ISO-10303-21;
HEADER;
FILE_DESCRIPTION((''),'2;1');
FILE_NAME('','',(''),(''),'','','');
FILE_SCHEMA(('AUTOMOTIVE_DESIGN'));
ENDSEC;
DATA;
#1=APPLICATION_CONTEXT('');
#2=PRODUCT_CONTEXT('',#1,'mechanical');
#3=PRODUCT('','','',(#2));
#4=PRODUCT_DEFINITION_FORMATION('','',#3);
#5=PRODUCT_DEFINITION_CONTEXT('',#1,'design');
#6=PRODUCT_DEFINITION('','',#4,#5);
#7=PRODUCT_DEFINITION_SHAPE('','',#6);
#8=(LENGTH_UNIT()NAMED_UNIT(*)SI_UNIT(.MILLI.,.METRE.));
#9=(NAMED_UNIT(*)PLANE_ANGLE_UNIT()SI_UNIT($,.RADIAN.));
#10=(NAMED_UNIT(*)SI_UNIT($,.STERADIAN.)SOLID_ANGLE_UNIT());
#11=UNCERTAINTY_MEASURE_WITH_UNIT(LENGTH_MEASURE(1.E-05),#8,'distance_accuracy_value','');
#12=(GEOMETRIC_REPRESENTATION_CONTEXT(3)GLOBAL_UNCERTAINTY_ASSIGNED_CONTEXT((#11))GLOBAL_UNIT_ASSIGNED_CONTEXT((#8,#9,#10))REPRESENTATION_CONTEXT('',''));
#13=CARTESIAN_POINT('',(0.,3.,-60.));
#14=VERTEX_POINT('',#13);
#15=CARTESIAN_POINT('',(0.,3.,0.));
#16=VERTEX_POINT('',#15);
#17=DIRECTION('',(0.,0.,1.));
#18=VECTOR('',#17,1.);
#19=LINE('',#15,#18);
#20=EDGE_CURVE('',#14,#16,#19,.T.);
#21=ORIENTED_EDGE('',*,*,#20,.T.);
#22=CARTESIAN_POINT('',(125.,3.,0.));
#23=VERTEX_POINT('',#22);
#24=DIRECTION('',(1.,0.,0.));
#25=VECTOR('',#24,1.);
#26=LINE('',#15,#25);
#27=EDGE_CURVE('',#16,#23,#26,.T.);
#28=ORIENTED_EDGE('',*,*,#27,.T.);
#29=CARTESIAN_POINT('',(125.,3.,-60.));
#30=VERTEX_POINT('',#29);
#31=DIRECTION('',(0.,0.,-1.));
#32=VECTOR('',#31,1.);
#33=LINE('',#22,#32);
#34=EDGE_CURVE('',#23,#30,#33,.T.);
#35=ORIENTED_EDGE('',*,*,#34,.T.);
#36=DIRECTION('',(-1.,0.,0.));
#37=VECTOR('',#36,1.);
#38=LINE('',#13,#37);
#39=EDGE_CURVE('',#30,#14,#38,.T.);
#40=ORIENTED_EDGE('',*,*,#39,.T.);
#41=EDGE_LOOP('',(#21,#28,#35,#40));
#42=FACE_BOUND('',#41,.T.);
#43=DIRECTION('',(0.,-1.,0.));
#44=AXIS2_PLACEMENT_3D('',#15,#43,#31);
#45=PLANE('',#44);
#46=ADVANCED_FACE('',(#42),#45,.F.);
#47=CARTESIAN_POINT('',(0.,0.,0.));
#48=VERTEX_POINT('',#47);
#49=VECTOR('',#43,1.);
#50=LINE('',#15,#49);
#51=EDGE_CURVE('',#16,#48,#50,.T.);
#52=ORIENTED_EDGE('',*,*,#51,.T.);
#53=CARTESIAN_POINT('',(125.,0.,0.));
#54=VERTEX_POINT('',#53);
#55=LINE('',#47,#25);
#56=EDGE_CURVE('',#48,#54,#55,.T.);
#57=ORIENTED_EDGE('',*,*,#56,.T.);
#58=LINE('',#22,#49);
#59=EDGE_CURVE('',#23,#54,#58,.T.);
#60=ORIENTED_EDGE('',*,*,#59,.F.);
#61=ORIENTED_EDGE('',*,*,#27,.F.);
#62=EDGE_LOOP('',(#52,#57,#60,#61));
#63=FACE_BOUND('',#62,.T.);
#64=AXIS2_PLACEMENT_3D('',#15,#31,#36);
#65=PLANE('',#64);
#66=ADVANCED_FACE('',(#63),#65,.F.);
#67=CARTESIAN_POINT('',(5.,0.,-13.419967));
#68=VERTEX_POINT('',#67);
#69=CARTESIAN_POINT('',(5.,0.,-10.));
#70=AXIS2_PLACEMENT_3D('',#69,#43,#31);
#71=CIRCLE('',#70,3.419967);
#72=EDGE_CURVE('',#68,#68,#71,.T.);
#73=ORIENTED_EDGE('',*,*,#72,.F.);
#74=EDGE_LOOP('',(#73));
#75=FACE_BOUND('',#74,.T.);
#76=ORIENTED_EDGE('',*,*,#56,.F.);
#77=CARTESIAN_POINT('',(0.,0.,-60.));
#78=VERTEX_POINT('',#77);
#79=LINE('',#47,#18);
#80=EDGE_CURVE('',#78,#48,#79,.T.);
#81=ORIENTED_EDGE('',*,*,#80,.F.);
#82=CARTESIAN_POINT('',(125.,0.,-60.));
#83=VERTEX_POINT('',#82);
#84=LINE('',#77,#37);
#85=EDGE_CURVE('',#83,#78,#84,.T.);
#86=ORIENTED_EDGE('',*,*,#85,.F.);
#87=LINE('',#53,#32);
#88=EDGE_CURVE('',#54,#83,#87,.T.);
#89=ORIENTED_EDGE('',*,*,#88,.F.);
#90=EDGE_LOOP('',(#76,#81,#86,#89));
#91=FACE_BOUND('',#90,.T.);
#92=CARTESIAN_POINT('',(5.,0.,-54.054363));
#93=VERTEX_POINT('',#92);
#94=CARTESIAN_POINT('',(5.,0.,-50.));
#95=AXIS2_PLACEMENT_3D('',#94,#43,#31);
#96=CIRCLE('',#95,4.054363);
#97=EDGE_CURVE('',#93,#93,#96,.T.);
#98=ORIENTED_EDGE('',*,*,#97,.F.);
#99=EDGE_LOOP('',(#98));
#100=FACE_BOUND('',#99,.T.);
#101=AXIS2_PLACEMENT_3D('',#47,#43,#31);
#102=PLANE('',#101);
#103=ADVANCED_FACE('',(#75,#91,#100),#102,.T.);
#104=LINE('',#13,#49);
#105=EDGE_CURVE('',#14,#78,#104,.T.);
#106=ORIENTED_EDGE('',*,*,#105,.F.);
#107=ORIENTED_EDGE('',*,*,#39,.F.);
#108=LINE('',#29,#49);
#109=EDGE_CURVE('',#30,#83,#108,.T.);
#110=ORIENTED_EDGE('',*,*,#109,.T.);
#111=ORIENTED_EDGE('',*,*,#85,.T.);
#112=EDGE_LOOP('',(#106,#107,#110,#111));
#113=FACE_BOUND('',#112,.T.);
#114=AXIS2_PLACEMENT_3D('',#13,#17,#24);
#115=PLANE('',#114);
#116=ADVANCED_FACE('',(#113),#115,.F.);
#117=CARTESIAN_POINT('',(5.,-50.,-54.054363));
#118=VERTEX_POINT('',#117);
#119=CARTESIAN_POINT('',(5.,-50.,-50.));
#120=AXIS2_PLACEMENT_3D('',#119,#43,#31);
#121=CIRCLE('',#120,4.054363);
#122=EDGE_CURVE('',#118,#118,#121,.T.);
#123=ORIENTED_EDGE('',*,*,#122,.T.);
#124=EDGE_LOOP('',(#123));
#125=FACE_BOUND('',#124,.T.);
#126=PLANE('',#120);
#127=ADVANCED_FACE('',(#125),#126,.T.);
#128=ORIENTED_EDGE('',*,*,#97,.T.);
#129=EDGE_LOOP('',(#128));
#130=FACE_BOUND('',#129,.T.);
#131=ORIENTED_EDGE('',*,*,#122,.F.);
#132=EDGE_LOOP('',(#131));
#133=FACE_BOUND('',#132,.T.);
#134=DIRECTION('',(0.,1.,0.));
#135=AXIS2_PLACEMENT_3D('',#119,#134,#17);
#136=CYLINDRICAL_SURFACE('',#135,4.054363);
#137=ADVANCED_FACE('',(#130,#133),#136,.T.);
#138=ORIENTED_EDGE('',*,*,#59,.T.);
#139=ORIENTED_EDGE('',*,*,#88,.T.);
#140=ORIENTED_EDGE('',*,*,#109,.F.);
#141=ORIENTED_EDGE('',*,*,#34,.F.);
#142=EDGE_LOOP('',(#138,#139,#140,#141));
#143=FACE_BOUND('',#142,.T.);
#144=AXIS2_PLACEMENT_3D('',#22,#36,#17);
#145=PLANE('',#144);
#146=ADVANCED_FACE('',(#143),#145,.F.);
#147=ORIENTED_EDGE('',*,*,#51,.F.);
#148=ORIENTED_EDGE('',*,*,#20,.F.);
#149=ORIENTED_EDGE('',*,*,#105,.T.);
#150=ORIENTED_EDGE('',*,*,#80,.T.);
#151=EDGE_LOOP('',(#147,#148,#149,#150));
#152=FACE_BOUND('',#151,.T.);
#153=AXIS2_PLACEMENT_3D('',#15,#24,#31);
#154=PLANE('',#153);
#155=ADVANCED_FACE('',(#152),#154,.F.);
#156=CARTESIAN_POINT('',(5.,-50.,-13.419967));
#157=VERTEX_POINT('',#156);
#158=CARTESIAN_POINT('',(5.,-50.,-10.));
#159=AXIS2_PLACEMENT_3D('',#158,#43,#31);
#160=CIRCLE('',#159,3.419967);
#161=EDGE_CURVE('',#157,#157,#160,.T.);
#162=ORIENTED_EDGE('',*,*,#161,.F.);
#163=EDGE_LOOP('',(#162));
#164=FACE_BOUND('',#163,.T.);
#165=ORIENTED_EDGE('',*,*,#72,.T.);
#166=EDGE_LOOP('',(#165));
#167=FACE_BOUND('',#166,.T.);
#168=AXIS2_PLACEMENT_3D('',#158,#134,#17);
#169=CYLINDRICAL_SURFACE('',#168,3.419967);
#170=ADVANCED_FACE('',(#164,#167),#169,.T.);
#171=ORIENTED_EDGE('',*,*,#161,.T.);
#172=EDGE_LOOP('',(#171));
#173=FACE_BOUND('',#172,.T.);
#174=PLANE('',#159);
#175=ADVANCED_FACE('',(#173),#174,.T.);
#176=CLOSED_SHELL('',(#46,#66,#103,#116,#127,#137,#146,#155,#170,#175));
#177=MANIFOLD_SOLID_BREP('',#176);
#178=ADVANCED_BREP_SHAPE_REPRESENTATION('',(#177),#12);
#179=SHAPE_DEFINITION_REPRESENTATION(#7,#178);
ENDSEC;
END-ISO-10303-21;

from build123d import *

# Parameters (mm, degrees)
SKETCH1_W           = 125
SKETCH1_H           = 60
BOSS_EXTRUDE1_DEPTH = 3
SKETCH2_R           = 3.419966531
SKETCH2_R_2         = 4.054363334
BOSS_EXTRUDE2_DEPTH = 50


with BuildPart() as part:
    # Sketch1 → Boss-Extrude1 (new body)
    with BuildSketch(Plane(origin=(0, 0, 0), x_dir=(1, 0, 0), z_dir=(0, 1, 0))):
        with Locations((62.5, 30)):
            Rectangle(SKETCH1_W, SKETCH1_H)
    extrude(amount=BOSS_EXTRUDE1_DEPTH)

    # Sketch2 → Boss-Extrude2 (add)
    with BuildSketch(Plane(origin=(0, 0, 0), x_dir=(-1, 0, 0), z_dir=(0, -1, 0))):
        with Locations(Location((-5, 10, 0), (0, 0, 90))):
            Circle(SKETCH2_R)
        with Locations(Location((-5, 50, 0), (0, 0, 90))):
            Circle(SKETCH2_R_2)
    extrude(amount=BOSS_EXTRUDE2_DEPTH)


solid = part.part
